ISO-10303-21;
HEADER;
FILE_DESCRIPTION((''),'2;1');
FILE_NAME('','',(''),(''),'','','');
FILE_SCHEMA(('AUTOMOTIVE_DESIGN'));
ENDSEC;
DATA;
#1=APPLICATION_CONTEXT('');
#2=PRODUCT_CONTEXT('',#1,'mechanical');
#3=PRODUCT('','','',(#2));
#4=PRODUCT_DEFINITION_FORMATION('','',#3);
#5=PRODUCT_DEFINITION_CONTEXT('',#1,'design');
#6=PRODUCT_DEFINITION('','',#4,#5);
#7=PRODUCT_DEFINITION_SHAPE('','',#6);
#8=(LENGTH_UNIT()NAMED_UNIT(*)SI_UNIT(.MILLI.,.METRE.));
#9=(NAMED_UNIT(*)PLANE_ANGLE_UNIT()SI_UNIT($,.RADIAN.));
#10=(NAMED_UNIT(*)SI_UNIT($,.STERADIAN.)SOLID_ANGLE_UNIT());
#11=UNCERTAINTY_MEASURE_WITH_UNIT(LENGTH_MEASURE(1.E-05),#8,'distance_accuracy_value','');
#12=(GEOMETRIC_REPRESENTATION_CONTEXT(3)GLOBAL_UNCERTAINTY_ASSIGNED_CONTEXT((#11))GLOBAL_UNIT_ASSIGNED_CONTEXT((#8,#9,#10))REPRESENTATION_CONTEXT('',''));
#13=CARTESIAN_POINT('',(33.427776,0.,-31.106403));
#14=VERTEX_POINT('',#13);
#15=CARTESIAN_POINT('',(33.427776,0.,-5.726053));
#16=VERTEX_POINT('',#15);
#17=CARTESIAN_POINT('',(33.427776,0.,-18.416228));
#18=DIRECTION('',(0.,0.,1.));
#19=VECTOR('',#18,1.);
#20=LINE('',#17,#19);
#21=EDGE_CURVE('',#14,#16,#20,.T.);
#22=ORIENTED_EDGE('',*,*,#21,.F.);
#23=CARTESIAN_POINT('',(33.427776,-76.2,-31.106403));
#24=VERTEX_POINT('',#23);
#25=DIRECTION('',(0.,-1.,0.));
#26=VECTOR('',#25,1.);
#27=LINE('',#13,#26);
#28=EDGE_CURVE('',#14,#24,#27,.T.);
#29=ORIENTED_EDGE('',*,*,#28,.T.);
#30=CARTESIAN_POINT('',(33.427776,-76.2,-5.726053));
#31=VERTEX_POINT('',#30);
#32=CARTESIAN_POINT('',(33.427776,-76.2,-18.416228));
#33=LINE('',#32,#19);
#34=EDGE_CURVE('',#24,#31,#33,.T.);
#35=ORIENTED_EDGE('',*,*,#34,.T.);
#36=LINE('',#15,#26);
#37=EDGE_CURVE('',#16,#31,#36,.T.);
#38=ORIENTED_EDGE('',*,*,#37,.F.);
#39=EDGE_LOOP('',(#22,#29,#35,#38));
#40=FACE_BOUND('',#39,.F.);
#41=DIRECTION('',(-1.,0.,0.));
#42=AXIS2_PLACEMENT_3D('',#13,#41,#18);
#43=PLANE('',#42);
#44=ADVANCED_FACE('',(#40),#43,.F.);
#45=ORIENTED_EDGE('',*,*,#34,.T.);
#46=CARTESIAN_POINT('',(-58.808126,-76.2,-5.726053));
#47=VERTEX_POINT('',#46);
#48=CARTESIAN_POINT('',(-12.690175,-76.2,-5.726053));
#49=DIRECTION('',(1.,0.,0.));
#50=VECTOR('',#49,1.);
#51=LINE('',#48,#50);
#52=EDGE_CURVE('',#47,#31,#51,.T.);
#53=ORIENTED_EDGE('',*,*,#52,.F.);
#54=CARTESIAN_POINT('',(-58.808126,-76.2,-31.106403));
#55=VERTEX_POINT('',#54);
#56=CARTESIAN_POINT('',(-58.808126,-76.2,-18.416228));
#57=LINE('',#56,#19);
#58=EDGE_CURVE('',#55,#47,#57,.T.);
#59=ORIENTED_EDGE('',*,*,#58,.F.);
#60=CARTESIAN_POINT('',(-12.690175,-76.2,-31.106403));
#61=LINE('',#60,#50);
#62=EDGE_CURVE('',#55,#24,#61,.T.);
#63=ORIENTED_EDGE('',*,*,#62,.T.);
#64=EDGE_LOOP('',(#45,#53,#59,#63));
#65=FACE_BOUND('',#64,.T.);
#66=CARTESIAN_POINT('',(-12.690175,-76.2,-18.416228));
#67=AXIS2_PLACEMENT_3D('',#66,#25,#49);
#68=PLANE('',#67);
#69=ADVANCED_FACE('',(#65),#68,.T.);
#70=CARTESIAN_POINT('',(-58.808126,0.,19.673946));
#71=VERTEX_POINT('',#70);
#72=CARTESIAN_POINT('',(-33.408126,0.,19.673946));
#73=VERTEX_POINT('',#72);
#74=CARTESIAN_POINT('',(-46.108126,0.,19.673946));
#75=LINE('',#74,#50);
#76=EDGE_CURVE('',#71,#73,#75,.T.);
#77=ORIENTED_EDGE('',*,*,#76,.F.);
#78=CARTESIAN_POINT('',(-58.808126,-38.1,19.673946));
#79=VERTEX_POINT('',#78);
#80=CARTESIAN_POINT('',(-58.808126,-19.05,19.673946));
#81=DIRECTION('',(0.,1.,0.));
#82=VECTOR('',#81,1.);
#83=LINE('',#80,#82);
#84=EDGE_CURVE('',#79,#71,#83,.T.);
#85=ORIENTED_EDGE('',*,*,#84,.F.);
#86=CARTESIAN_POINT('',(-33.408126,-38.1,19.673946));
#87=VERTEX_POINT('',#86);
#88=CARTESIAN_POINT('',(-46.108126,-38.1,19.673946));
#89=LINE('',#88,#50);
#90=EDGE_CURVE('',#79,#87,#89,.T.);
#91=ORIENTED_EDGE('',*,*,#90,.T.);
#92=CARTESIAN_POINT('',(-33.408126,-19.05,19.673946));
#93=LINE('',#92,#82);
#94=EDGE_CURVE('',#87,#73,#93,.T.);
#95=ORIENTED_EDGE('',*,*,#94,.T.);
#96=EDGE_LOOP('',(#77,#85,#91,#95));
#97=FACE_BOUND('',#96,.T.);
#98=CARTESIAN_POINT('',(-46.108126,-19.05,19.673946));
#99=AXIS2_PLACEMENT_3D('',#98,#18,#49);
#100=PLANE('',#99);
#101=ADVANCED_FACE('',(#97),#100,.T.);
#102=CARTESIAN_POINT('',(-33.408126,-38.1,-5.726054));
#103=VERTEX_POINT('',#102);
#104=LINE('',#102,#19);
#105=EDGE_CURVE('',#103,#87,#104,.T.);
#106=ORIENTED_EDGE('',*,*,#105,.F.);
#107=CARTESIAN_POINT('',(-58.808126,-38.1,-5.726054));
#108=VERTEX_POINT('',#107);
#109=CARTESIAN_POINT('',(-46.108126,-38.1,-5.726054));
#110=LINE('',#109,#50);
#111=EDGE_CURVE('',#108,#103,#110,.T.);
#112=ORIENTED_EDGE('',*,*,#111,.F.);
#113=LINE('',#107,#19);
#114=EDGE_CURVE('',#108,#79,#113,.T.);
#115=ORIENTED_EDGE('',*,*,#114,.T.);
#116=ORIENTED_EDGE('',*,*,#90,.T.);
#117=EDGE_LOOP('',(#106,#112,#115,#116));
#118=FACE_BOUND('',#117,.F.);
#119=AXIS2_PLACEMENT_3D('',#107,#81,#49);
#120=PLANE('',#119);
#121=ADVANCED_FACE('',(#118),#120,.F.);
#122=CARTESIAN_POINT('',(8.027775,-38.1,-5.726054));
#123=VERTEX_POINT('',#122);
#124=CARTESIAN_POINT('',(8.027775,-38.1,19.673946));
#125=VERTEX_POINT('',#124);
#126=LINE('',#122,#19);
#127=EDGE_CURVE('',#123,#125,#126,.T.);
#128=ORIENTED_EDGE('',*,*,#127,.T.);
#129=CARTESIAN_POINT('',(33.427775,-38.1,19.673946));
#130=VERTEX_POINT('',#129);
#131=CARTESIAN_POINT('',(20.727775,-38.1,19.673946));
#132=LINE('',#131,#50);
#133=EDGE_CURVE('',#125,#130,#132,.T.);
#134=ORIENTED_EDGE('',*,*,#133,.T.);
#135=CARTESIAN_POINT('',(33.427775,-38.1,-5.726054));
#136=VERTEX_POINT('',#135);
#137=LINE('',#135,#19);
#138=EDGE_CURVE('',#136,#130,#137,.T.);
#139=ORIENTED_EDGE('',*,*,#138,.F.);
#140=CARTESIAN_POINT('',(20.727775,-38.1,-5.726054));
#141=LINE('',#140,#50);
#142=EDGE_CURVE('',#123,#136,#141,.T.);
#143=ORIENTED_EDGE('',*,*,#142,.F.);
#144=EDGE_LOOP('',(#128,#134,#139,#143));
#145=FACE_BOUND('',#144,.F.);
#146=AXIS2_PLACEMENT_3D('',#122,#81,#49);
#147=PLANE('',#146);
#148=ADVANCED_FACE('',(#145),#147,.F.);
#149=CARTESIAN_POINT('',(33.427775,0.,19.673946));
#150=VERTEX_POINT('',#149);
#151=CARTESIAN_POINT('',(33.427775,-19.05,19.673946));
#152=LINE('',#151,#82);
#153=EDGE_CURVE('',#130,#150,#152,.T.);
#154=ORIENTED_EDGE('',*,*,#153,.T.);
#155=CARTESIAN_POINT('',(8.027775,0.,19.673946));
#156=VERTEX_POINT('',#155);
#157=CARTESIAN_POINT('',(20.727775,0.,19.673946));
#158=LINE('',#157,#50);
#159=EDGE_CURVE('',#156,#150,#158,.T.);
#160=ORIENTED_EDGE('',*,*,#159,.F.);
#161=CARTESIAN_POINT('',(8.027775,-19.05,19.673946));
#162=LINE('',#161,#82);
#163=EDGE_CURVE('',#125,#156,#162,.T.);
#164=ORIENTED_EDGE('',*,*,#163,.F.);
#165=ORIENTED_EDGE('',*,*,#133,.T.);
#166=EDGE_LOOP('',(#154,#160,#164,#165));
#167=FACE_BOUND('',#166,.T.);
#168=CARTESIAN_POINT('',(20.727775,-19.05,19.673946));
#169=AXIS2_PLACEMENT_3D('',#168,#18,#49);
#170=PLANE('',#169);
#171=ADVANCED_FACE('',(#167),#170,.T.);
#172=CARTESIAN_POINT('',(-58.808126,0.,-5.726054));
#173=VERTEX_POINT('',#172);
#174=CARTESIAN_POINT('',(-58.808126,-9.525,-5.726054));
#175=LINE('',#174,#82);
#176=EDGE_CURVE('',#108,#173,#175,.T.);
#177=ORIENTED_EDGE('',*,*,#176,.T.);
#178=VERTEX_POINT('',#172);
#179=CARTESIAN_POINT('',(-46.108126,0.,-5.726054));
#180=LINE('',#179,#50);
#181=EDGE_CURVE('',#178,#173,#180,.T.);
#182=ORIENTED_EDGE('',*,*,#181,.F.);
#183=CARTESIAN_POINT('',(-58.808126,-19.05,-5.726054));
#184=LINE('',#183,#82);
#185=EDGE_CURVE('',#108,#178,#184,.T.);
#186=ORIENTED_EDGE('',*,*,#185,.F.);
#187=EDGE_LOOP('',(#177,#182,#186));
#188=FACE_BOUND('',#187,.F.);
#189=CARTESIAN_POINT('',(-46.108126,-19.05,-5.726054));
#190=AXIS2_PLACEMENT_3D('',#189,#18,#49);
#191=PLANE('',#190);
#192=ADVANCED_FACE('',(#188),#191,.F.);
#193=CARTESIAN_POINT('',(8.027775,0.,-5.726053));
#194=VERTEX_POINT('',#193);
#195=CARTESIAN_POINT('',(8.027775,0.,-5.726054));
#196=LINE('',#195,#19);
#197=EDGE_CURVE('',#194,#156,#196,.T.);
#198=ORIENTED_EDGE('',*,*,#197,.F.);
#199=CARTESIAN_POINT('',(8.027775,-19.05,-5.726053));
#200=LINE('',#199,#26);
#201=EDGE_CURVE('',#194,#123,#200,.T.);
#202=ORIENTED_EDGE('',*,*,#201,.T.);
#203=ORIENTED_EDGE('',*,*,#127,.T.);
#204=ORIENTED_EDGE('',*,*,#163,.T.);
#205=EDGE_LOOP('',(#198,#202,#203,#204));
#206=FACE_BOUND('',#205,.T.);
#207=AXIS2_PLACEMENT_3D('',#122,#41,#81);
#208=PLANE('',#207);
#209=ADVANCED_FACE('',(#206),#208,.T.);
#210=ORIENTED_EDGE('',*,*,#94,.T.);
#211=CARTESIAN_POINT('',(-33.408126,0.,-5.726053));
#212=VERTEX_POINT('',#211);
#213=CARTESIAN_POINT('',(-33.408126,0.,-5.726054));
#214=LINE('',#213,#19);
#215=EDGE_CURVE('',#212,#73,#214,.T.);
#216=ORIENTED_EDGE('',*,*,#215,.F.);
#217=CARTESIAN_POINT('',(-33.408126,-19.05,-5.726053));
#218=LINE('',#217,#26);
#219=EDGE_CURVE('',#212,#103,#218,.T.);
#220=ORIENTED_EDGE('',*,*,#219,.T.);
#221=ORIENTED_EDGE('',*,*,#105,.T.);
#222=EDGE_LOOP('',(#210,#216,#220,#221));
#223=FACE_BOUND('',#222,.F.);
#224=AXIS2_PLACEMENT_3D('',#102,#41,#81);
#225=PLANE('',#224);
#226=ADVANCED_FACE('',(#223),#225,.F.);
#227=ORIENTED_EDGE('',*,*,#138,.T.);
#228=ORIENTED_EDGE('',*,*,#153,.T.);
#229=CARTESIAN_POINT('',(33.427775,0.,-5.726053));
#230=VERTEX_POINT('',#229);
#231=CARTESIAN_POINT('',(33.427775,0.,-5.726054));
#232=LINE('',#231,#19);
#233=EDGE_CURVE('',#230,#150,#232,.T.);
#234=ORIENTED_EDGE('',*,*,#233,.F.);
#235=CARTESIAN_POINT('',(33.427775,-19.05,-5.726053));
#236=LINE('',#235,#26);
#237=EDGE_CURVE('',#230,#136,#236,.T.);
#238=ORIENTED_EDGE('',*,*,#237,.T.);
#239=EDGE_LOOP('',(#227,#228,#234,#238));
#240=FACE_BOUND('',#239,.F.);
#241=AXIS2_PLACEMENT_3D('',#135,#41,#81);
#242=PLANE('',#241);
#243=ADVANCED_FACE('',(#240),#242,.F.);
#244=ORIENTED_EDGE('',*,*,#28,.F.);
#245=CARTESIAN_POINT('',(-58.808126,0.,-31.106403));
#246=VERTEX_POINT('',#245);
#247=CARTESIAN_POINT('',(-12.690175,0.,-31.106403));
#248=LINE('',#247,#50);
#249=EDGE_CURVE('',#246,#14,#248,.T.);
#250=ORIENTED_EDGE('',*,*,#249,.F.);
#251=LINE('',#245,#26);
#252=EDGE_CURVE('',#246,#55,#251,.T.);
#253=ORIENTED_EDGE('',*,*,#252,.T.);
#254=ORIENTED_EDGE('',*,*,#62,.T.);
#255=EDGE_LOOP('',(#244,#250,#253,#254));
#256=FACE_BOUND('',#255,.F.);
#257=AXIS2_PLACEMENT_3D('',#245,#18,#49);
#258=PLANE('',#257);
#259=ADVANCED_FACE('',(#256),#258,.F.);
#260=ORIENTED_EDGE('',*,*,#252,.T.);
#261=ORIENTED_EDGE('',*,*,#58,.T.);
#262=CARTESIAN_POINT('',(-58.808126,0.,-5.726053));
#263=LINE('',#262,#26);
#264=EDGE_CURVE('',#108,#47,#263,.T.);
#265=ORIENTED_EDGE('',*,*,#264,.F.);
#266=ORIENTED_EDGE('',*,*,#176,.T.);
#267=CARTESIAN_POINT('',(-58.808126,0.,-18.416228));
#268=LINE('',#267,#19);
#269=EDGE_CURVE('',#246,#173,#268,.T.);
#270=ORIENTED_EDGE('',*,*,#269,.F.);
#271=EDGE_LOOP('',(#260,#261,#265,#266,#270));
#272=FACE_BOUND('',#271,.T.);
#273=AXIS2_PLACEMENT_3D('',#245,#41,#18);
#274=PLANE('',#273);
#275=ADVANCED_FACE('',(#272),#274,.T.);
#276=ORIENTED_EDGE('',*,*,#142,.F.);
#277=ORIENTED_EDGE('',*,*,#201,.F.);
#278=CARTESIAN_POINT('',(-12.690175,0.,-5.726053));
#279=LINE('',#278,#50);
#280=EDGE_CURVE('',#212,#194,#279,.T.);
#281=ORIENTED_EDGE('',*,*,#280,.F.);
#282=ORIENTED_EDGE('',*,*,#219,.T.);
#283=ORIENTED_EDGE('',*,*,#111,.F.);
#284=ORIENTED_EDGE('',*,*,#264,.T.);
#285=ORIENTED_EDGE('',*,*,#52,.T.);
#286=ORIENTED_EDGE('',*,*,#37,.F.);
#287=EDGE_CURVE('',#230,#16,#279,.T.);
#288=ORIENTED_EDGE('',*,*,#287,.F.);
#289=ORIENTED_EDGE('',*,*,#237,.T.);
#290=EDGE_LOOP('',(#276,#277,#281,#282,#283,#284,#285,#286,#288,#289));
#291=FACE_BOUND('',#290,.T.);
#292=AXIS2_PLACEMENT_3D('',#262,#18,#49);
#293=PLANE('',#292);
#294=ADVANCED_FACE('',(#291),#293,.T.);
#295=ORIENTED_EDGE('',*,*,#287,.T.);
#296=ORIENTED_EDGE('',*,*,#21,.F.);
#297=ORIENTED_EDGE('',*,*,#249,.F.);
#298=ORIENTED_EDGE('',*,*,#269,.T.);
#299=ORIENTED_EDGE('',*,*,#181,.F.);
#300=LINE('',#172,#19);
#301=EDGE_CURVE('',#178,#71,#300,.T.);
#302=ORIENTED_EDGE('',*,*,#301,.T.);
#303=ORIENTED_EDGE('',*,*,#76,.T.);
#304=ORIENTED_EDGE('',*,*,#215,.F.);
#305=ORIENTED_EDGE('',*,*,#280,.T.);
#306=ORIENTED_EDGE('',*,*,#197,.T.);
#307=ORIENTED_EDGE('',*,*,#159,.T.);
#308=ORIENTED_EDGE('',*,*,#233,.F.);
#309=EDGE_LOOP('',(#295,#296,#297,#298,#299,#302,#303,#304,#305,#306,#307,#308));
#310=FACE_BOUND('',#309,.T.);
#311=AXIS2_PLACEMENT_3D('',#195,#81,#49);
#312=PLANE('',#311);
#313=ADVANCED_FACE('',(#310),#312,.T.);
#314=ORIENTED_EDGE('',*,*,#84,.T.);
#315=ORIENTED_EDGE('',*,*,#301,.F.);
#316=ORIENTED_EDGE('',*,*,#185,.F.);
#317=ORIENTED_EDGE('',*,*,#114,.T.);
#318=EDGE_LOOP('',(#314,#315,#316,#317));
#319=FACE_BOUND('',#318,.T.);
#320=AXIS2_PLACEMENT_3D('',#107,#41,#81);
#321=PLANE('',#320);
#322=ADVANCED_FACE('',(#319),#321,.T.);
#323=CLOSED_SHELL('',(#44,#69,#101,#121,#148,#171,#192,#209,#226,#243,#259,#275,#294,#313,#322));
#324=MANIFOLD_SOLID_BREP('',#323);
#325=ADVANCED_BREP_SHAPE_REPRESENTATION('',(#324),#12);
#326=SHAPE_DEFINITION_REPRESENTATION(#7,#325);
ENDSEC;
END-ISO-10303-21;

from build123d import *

# Parameters (mm, degrees)
F0_W     = 92.235901
F0_H     = 25.380349
F1_DEPTH = 76.2
F2_W     = 25.4
F2_H     = 38.1
F3_DEPTH = 25.4
F4_W     = 25.4
F4_H     = 38.1
F5_DEPTH = 25.4


with BuildPart() as f1:
    # F0 (on Front) → F1 (new body)
    with BuildSketch(Plane.XZ):
        with Locations((-12.690175, -18.416228)):
            Rectangle(F0_W, F0_H)
    extrude(amount=F1_DEPTH)

    # F2 (on face) → F3 (join)
    with BuildSketch(Plane.XY.offset(-5.726054)):
        with Locations((-46.108126, -19.05)):
            Rectangle(F2_W, F2_H)
    extrude(amount=F3_DEPTH)

    # F4 (on face) → F5 (join)
    with BuildSketch(Plane.XY.offset(-5.726054)):
        with Locations((20.727775, -19.05)):
            Rectangle(F4_W, F4_H)
    extrude(amount=F5_DEPTH)


solid = f1.part
